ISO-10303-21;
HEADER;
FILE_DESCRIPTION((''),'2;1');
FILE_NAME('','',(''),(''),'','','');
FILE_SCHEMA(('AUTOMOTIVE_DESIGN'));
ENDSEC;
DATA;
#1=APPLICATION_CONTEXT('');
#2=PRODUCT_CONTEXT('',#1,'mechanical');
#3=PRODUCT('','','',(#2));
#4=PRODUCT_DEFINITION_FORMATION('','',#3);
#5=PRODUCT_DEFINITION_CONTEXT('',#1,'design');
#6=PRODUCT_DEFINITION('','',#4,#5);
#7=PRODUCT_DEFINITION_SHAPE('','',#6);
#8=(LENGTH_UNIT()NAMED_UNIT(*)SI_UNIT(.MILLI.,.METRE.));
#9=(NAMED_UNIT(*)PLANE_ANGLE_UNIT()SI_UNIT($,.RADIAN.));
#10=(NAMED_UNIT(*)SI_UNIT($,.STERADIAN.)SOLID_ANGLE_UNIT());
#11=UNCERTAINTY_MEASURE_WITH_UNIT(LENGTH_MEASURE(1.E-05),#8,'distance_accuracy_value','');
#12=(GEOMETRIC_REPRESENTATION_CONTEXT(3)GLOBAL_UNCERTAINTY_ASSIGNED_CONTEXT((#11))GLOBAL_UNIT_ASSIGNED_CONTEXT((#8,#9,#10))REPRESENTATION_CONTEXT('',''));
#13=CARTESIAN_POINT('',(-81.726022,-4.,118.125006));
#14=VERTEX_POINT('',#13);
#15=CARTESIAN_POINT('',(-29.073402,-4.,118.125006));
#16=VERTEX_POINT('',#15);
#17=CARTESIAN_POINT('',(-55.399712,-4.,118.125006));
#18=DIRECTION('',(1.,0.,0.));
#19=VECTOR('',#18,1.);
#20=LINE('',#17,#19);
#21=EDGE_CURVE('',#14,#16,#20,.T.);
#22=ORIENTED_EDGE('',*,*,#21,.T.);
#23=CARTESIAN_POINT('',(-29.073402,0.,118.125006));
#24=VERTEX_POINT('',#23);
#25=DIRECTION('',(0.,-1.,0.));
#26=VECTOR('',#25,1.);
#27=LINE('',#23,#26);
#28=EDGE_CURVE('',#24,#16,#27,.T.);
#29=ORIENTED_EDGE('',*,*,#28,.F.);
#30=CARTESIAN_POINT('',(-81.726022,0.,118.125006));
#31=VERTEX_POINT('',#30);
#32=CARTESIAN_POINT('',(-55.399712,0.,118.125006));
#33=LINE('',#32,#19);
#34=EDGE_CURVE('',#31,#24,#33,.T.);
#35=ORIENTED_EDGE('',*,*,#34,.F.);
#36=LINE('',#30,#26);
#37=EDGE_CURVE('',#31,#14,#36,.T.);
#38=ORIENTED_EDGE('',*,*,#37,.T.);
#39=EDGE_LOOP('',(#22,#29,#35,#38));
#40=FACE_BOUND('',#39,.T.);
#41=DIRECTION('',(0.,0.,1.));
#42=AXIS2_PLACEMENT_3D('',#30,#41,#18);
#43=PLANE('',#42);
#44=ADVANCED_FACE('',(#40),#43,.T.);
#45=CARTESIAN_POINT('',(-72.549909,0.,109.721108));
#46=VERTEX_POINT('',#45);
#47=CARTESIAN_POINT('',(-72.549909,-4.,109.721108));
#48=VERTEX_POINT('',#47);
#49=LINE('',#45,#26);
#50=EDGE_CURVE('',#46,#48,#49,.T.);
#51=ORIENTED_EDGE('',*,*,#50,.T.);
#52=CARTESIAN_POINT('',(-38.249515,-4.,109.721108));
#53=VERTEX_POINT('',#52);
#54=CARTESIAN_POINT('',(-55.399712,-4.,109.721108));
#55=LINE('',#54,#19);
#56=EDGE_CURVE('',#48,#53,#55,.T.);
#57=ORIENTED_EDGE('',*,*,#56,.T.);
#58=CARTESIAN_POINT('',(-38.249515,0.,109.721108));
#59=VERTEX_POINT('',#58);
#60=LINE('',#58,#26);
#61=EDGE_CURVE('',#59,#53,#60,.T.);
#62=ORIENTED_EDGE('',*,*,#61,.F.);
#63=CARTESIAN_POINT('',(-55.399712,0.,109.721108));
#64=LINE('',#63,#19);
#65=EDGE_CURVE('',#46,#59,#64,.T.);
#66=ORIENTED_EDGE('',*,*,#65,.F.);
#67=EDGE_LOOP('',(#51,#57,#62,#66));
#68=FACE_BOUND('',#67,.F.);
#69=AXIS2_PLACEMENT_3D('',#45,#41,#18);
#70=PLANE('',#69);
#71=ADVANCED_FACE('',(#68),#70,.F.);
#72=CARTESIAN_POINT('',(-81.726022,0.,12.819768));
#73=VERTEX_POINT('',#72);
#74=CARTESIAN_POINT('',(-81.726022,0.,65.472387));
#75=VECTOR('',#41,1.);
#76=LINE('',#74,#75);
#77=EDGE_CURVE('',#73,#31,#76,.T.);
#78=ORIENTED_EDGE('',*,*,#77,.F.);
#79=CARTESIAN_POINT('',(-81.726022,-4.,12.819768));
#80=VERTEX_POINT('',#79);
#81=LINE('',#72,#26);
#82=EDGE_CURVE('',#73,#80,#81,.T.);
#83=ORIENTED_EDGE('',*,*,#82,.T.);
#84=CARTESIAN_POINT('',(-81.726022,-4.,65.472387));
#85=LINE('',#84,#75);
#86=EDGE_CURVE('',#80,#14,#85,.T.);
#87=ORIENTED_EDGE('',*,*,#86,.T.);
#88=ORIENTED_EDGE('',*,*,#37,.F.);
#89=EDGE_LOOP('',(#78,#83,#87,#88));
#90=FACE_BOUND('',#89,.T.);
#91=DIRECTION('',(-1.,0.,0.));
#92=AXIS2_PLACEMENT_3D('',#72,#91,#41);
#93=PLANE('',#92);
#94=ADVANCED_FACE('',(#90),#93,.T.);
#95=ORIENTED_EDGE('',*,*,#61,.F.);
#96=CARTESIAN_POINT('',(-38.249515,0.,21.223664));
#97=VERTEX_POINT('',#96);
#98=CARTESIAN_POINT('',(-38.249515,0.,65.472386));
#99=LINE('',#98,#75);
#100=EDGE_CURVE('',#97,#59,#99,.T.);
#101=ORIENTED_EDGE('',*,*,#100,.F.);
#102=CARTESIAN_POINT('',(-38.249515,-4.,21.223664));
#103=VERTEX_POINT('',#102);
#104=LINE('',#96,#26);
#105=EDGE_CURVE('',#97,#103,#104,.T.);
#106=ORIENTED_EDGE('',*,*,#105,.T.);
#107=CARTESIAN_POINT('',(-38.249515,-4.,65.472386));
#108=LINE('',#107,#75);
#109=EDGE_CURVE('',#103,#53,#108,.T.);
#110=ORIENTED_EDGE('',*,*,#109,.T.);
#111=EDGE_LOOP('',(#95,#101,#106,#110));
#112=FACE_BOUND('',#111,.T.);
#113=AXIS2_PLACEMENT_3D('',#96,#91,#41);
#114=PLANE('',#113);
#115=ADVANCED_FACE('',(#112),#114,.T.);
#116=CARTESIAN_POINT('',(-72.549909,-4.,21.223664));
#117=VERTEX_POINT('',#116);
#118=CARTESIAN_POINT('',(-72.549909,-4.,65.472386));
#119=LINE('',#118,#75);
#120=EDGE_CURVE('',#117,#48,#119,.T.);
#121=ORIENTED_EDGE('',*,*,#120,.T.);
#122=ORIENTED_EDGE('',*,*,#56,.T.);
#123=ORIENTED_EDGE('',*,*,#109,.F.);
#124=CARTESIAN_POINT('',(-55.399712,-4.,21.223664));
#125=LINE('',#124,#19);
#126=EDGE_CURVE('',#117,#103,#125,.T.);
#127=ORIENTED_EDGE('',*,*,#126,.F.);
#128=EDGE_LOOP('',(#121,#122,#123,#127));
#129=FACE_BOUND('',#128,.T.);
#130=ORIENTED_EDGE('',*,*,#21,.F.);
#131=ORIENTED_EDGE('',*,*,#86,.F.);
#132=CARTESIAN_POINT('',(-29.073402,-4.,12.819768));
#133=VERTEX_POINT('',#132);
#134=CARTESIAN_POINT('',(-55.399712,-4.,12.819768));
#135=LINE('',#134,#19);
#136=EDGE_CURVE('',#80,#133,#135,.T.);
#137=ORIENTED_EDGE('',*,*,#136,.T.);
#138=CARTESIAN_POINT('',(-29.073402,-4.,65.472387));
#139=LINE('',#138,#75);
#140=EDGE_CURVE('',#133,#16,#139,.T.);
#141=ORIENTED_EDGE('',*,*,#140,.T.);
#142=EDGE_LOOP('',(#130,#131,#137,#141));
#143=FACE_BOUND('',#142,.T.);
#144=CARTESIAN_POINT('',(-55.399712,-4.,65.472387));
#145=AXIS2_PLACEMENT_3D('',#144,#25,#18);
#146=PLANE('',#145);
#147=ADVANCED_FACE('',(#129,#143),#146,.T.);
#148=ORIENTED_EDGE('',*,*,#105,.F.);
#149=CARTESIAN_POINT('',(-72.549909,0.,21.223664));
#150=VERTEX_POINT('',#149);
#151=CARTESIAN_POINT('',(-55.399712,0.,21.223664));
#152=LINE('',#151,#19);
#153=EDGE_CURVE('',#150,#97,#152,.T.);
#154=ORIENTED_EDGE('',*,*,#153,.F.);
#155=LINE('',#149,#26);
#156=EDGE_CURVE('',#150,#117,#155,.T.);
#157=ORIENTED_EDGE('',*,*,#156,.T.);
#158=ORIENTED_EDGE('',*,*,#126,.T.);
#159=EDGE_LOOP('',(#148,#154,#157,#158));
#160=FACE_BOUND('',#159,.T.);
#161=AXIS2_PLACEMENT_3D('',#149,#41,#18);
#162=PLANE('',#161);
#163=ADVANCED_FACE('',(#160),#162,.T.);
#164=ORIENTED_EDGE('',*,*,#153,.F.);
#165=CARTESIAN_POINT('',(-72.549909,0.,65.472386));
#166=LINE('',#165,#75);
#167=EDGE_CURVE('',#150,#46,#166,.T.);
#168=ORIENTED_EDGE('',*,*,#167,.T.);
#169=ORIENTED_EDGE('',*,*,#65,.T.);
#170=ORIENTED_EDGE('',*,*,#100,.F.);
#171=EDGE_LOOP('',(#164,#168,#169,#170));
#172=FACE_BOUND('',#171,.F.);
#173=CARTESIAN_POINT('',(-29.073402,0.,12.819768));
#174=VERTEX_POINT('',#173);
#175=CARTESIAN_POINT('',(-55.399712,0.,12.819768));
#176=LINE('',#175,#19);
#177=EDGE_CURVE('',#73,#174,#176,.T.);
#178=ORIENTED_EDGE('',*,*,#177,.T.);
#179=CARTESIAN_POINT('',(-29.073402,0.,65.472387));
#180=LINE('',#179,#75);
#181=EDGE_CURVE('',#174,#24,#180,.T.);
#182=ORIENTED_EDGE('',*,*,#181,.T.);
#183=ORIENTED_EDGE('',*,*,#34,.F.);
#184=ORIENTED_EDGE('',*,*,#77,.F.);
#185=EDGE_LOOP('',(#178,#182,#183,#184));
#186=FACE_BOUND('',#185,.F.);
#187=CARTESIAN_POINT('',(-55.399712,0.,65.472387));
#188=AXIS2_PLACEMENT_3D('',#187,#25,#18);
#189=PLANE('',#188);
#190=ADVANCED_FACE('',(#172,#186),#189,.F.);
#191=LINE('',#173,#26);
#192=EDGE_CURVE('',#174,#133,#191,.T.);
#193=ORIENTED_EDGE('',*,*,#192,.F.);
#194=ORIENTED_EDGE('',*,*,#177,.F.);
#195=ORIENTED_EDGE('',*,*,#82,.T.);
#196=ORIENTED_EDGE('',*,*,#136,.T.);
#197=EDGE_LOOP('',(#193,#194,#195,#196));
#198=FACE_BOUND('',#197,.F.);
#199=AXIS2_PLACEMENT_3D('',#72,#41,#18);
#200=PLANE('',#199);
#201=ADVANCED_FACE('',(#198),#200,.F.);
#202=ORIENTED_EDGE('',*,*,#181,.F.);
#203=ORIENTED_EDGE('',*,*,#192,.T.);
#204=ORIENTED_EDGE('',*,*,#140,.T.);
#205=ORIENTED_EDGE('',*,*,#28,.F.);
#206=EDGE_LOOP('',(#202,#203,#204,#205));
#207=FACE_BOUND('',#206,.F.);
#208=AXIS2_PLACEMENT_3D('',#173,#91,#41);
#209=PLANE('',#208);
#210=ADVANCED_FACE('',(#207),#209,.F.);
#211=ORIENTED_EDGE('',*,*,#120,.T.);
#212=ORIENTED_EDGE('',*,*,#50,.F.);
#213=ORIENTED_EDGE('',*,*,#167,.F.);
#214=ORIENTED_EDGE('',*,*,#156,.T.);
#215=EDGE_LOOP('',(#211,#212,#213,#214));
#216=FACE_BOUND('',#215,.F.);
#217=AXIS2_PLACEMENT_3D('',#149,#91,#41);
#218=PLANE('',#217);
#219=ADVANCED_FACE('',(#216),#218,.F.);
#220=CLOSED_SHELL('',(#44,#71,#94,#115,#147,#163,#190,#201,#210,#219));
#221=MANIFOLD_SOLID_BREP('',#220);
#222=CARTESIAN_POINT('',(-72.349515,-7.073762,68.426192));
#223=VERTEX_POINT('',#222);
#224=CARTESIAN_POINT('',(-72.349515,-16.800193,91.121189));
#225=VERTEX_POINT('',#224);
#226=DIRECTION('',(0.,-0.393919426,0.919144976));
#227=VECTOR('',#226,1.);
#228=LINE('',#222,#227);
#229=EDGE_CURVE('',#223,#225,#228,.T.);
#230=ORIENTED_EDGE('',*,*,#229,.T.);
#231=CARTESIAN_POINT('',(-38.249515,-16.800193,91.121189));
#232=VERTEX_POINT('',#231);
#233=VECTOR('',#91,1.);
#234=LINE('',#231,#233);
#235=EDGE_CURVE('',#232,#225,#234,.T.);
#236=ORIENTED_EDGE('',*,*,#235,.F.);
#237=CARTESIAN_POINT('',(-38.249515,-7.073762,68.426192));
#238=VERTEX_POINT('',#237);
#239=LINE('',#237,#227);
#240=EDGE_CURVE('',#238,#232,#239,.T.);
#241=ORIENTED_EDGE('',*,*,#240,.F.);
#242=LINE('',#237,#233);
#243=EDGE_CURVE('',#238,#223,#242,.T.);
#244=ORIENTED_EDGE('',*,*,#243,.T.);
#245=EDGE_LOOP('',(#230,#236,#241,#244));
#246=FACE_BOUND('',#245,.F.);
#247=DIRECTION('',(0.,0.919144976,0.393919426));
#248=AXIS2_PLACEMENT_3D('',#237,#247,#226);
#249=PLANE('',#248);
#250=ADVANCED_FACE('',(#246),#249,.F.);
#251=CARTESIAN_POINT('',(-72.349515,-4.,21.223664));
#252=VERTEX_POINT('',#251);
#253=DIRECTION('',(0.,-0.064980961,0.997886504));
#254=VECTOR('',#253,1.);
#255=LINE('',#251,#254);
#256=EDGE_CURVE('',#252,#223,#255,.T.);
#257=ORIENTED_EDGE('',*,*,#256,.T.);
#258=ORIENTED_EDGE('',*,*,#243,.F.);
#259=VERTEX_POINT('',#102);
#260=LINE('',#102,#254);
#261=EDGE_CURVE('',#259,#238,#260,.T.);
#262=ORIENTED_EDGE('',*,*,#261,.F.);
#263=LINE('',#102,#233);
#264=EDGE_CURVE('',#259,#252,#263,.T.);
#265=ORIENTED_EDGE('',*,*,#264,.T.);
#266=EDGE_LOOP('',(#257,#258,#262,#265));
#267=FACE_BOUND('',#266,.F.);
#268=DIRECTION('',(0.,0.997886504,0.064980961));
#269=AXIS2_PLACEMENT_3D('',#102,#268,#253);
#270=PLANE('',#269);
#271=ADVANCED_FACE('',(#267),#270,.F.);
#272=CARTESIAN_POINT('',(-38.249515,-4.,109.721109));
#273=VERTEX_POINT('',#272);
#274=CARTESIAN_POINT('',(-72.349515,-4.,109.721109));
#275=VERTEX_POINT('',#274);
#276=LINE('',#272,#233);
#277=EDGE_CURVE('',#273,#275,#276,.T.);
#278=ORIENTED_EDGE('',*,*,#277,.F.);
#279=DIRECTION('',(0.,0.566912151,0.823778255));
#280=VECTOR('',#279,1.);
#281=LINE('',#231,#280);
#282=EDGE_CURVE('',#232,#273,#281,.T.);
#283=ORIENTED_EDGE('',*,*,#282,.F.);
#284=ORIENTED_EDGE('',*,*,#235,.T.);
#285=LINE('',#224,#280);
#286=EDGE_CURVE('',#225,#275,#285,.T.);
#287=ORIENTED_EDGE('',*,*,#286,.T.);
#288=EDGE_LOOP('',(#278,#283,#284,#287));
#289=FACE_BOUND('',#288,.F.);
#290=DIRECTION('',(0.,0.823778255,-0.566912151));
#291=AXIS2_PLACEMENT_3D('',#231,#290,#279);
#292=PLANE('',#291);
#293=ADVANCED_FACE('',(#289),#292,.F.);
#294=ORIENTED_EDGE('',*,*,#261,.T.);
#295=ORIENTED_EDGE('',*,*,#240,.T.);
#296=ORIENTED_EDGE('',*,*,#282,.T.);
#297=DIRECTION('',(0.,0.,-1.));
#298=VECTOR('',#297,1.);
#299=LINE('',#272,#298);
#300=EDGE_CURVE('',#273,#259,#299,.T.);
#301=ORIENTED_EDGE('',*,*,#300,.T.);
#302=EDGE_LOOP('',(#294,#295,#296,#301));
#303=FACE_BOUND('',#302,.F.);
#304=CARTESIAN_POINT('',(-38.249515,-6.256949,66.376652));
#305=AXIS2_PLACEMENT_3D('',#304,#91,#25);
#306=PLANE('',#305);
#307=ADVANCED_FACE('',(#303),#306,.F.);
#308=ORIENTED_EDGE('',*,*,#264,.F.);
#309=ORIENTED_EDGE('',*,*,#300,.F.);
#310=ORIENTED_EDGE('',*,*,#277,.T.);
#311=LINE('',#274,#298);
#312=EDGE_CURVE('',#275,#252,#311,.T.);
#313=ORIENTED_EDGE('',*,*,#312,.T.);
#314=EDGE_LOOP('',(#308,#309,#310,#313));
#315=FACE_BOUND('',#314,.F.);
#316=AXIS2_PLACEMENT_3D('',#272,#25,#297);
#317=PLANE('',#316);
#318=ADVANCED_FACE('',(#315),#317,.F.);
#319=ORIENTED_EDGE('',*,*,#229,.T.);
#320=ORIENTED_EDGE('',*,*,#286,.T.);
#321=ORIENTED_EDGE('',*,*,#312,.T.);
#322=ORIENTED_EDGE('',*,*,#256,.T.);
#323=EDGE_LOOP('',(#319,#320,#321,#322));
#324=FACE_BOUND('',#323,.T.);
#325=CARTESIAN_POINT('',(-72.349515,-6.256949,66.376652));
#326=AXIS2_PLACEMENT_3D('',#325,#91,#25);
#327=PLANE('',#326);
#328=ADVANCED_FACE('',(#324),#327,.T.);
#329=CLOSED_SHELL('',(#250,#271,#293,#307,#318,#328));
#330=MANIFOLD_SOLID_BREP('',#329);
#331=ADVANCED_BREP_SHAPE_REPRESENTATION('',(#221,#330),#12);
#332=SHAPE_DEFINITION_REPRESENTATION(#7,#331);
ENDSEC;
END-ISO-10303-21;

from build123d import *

# Parameters (mm, degrees)
F0_W     = 52.65262
F0_H     = 105.305238
F0_W_2   = 34.300394
F0_H_2   = 88.497445
F1_DEPTH = 4
F3_DEPTH = 34.1


with BuildPart() as f1:
    # F0 (on Front) → F1 (new body)
    with BuildSketch(Plane.XZ):
        with Locations((-55.399712, 65.472387)):
            Rectangle(F0_W, F0_H)
        with Locations((-55.399712, 65.472386)):
            Rectangle(F0_W_2, F0_H_2, mode=Mode.SUBTRACT)
    extrude(amount=F1_DEPTH)


with BuildPart() as f3:
    # F2 (on face) → F3 (new body)
    with BuildSketch(Plane(origin=(-38.249515, 0, 0), x_dir=(0, -1, 0), z_dir=(-1, 0, 0))):
        Polygon((16.800193, 91.121189), (4, 109.721109), (4, 21.223664), (7.073762, 68.426192), align=None)
    extrude(amount=F3_DEPTH)


solid = Compound([f1.part, f3.part])
